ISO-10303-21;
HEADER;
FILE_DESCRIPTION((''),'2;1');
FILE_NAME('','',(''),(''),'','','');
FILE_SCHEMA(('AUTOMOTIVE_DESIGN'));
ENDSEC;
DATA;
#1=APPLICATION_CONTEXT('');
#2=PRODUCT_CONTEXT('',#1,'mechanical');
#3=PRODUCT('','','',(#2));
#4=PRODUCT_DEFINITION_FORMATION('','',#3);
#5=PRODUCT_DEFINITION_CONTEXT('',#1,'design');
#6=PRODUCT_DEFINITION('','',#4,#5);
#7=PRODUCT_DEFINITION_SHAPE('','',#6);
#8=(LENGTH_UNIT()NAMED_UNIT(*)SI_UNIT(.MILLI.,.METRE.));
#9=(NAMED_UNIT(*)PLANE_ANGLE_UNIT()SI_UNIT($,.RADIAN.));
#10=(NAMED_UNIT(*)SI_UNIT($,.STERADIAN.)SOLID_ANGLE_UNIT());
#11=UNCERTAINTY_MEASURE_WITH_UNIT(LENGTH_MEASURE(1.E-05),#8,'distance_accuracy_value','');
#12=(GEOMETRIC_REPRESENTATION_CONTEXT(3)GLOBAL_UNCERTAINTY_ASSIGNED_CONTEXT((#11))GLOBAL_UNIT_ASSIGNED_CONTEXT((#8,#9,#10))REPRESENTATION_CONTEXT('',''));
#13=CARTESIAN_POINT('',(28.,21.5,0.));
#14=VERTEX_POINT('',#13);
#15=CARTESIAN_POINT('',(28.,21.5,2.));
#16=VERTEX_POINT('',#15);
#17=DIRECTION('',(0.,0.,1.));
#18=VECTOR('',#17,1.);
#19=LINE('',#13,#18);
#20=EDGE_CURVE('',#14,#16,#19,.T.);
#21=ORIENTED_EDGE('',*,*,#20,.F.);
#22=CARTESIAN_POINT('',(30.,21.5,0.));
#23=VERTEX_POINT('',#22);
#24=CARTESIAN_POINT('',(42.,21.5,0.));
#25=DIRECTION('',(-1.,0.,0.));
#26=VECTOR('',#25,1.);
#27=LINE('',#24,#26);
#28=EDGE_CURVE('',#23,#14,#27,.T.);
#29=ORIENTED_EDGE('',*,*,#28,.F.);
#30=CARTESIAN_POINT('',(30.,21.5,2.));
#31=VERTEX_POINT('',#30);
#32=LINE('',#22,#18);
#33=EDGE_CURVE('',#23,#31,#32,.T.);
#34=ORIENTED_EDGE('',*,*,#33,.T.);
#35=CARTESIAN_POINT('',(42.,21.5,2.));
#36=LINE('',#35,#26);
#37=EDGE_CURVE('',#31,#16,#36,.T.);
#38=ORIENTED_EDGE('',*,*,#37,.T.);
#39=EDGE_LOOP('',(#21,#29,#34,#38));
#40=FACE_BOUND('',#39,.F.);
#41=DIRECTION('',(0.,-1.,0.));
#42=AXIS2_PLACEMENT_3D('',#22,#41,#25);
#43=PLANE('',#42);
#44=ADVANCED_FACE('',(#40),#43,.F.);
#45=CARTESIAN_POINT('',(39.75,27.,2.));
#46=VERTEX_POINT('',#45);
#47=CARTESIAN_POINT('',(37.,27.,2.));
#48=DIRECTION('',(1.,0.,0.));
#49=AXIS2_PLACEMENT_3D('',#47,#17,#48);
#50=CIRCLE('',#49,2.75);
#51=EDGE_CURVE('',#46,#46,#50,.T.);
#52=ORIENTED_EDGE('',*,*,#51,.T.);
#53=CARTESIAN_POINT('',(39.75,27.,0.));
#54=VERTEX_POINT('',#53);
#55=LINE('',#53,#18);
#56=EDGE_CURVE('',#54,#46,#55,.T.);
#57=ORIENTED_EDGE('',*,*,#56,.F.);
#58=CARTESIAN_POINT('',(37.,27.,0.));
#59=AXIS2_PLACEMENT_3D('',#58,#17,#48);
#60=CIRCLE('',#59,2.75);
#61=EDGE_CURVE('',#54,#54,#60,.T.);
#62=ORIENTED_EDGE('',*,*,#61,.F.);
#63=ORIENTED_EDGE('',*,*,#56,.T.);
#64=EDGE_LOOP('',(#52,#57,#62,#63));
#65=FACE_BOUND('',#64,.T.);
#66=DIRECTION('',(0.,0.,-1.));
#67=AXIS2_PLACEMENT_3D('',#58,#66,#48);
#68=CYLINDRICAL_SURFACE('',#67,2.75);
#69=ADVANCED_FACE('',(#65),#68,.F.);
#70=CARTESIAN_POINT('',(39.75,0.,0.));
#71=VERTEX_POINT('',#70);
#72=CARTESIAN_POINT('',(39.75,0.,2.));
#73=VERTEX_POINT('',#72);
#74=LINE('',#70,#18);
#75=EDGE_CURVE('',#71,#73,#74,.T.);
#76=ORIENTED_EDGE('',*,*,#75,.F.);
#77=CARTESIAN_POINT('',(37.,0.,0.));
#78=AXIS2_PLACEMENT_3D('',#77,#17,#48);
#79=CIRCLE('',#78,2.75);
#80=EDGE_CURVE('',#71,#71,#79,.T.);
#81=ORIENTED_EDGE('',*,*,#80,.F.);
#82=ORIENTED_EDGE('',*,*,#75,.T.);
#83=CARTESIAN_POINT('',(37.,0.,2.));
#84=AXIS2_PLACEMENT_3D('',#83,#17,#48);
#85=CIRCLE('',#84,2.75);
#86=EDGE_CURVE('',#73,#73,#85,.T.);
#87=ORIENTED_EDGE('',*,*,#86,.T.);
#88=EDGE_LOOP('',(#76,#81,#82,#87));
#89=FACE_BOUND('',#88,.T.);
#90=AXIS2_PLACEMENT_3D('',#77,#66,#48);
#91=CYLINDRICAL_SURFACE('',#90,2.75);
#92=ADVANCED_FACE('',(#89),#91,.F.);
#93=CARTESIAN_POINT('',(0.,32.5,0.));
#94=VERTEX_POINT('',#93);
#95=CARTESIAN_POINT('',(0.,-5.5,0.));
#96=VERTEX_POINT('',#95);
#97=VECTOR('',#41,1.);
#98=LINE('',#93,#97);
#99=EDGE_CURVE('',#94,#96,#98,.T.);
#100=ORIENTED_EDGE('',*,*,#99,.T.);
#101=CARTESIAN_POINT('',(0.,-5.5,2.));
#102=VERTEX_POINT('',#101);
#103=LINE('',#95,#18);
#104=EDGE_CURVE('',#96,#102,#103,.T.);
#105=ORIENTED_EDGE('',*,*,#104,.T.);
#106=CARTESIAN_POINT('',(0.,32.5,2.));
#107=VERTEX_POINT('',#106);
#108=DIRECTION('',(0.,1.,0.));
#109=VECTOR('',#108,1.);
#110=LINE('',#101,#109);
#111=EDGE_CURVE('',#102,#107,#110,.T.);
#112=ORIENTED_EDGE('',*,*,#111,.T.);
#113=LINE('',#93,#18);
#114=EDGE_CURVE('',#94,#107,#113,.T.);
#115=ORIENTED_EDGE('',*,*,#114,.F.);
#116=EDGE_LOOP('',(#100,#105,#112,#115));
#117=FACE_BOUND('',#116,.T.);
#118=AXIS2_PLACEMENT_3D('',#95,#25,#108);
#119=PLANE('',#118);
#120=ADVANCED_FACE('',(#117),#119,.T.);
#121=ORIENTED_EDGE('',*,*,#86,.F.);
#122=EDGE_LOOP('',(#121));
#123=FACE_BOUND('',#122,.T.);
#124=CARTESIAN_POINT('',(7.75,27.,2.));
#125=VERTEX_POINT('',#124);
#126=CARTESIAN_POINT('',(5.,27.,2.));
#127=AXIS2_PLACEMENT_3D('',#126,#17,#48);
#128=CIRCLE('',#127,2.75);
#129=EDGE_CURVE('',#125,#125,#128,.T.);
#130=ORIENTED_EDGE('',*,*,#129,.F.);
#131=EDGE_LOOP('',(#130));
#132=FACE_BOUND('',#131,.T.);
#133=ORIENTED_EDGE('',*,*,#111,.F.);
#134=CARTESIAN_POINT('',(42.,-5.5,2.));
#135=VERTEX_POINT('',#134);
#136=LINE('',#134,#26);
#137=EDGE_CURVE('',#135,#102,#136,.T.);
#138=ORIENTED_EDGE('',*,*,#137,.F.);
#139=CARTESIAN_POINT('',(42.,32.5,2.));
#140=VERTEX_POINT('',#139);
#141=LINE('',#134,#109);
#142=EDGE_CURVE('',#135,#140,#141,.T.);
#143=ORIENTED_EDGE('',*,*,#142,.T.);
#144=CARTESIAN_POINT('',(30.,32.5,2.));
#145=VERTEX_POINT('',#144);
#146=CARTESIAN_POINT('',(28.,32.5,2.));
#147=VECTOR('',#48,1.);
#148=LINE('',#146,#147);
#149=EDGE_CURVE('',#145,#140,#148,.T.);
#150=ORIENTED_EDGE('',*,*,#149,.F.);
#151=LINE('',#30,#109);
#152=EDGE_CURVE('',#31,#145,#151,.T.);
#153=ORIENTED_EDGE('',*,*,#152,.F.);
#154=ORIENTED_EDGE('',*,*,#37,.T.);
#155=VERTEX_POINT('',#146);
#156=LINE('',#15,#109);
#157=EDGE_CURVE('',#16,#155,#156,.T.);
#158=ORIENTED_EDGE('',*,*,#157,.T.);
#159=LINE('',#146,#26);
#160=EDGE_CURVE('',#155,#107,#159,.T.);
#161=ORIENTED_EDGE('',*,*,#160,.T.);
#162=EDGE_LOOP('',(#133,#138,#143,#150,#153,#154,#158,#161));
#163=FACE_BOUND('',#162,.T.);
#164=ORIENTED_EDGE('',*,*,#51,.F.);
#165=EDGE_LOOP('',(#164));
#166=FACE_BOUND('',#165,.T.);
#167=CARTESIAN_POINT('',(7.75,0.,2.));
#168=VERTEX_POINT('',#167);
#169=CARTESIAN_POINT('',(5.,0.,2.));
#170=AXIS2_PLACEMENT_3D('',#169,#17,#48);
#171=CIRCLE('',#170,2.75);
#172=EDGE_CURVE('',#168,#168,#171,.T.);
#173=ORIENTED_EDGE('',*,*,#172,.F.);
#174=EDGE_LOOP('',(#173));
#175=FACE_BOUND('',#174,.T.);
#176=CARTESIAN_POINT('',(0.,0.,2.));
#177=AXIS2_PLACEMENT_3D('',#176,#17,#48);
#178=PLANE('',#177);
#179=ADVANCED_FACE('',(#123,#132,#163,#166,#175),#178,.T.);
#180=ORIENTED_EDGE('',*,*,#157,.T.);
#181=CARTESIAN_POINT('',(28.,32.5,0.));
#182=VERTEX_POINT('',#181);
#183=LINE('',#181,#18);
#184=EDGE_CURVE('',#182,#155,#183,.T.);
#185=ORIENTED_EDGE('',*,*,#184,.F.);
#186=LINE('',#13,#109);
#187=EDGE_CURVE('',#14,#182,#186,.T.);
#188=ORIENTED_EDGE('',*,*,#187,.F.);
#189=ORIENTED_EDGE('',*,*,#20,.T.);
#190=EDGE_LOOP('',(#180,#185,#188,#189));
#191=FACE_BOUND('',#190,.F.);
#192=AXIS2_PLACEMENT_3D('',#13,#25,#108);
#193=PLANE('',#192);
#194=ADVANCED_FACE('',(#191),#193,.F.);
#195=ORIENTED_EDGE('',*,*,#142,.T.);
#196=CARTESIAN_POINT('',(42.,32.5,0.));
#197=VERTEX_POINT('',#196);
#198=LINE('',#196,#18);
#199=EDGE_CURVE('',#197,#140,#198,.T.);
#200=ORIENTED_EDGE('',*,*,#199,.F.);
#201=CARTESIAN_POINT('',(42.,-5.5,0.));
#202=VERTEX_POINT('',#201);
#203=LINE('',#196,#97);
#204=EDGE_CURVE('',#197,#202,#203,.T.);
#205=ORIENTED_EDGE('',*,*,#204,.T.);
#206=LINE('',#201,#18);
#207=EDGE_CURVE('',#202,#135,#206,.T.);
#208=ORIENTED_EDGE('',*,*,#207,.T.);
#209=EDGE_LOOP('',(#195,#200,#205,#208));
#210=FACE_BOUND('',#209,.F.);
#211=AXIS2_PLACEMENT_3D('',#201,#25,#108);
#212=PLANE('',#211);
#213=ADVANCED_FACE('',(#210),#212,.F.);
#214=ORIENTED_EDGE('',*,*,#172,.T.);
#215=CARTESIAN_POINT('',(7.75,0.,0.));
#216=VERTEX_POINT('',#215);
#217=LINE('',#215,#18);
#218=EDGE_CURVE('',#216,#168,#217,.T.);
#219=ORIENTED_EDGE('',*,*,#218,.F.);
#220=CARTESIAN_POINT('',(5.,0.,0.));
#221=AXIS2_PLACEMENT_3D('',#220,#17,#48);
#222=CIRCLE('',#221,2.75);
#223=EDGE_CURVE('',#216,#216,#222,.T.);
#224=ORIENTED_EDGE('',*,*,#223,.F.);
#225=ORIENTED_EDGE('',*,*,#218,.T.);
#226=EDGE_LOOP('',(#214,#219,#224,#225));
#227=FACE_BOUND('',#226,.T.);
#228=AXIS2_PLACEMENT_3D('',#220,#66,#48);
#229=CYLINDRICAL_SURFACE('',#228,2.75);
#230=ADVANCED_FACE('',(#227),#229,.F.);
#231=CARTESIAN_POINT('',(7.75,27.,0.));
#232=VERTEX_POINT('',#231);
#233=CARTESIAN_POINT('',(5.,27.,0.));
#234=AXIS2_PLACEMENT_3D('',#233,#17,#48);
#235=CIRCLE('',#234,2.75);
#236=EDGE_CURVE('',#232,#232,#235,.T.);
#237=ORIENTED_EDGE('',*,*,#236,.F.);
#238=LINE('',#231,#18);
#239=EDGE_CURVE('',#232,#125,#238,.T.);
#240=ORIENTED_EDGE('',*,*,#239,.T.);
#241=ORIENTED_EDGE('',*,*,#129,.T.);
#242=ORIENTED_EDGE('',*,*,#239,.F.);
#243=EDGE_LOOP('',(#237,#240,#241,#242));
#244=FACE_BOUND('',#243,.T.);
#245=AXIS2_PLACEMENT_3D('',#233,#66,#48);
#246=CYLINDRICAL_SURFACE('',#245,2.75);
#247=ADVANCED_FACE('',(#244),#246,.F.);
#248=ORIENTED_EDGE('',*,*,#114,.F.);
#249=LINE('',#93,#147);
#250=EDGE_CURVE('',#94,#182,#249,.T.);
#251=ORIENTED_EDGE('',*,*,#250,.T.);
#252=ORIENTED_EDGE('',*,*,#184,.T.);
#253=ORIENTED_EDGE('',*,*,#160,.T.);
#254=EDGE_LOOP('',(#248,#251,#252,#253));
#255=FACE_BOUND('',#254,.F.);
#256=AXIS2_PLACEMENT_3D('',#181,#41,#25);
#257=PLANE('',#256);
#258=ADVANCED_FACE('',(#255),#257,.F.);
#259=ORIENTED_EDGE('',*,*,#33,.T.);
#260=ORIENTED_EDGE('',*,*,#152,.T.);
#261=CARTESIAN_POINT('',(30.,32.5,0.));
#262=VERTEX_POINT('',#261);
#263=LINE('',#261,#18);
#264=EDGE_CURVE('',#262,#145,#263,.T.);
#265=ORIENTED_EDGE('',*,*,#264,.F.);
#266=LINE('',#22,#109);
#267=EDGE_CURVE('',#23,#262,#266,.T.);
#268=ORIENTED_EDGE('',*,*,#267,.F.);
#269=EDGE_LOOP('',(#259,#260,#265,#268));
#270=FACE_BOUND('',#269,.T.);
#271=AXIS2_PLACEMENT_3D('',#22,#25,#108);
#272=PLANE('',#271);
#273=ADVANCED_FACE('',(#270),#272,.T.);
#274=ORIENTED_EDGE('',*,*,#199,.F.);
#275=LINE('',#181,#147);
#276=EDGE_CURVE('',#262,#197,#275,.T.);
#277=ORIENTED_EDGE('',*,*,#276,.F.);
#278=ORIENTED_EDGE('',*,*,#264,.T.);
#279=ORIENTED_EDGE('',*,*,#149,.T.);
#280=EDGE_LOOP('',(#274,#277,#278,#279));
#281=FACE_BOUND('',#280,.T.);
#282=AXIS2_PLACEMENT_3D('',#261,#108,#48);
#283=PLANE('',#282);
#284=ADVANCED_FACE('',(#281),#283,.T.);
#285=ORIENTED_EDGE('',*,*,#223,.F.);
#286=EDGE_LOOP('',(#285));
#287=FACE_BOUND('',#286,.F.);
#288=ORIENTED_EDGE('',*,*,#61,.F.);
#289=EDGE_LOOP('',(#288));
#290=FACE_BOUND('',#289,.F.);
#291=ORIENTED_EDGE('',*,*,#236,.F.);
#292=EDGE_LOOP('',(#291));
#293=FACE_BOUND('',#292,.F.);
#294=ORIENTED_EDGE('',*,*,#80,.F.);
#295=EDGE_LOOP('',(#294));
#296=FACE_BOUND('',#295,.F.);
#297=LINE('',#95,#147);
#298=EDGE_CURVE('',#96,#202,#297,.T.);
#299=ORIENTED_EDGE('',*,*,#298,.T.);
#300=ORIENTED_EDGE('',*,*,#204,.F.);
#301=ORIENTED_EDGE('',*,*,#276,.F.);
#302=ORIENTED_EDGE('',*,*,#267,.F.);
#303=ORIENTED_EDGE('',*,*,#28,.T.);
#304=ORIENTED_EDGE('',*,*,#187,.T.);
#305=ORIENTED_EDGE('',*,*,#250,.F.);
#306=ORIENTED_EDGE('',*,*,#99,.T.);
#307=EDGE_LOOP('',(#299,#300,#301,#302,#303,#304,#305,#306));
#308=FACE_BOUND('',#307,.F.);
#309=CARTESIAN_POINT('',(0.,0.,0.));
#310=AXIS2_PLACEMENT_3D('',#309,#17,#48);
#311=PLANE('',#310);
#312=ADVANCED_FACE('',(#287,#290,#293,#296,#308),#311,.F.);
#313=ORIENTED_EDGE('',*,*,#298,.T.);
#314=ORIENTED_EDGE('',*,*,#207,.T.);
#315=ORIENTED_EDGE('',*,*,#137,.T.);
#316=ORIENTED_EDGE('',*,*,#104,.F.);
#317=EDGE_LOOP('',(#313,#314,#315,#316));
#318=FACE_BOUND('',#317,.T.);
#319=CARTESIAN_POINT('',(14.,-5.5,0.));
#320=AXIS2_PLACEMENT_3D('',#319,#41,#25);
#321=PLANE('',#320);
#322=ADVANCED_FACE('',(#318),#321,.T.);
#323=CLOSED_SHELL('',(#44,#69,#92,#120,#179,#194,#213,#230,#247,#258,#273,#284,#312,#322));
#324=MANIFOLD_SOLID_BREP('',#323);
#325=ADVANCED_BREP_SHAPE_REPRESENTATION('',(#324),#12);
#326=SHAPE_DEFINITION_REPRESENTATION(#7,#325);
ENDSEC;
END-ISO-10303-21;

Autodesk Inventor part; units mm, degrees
ref_plane "YZ Plane" through (0, 0, 0) normal (1, 0, 0) x (0, 1, 0)
ref_plane "XZ Plane" through (0, 0, 0) normal (0, 1, 0) x (-1, 0, 0)
ref_plane "XY Plane" through (0, 0, 0) normal (0, 0, 1) x (1, 0, 0)
sketch "スケッチ1" plane through (0, 0, 0) normal (0, 0, 1) x (1, 0, 0)
  circle A0 centre (5, 0) radius 2.75 projected
  line L0 (14, -5.5) -> (14, 5.5) projected
  line L1 (0, 5.5) -> (14, 5.5) projected
  line L2 (0, -5.5) -> (0, 5.5) projected
  line L3 (14, -5.5) -> (0, -5.5) projected
  circle A1 centre (5, 27) radius 2.75 projected
  line L4 (14, 21.5) -> (14, 32.5) projected
  line L5 (0, 32.5) -> (14, 32.5) projected
  line L6 (0, 21.5) -> (0, 32.5) projected
  line L7 (14, 21.5) -> (0, 21.5) projected
  line L8 (30, 21.5) -> (30, 32.5) projected
  circle A2 centre (37, 27) radius 2.75 projected
  line L9 (42, 21.5) -> (42, 32.5) projected
  line L10 (28, 32.5) -> (42, 32.5) projected
  line L11 (28, 21.5) -> (28, 32.5) projected
  line L12 (42, 21.5) -> (28, 21.5) projected
  circle A3 centre (37, 0) radius 2.75 projected
  line L13 (42, -5.5) -> (42, 5.5) projected
  line L14 (28, 5.5) -> (42, 5.5) projected
  line L15 (28, -5.5) -> (28, 5.5) projected
  line L16 (42, -5.5) -> (28, -5.5) projected
  line L17 (0, -5.5) -> (42, -5.5)
  line L18 (42, -5.5) -> (42, 32.5)
  line L19 (42, 32.5) -> (0, 32.5)
  line L20 (0, 32.5) -> (0, -5.5)
  point P0 (0, 0)
extrude "押し出し1" add sketch "スケッチ1" along normal blind 2 contours L3 L2 L1 L0 | L0 L1 L20 L7 L4 L19 L11 L12 L18 L14 L15 L17 | L15 L14 L13 L16 | L6 L5 L4 L7 | L12 L8 L10 L9
